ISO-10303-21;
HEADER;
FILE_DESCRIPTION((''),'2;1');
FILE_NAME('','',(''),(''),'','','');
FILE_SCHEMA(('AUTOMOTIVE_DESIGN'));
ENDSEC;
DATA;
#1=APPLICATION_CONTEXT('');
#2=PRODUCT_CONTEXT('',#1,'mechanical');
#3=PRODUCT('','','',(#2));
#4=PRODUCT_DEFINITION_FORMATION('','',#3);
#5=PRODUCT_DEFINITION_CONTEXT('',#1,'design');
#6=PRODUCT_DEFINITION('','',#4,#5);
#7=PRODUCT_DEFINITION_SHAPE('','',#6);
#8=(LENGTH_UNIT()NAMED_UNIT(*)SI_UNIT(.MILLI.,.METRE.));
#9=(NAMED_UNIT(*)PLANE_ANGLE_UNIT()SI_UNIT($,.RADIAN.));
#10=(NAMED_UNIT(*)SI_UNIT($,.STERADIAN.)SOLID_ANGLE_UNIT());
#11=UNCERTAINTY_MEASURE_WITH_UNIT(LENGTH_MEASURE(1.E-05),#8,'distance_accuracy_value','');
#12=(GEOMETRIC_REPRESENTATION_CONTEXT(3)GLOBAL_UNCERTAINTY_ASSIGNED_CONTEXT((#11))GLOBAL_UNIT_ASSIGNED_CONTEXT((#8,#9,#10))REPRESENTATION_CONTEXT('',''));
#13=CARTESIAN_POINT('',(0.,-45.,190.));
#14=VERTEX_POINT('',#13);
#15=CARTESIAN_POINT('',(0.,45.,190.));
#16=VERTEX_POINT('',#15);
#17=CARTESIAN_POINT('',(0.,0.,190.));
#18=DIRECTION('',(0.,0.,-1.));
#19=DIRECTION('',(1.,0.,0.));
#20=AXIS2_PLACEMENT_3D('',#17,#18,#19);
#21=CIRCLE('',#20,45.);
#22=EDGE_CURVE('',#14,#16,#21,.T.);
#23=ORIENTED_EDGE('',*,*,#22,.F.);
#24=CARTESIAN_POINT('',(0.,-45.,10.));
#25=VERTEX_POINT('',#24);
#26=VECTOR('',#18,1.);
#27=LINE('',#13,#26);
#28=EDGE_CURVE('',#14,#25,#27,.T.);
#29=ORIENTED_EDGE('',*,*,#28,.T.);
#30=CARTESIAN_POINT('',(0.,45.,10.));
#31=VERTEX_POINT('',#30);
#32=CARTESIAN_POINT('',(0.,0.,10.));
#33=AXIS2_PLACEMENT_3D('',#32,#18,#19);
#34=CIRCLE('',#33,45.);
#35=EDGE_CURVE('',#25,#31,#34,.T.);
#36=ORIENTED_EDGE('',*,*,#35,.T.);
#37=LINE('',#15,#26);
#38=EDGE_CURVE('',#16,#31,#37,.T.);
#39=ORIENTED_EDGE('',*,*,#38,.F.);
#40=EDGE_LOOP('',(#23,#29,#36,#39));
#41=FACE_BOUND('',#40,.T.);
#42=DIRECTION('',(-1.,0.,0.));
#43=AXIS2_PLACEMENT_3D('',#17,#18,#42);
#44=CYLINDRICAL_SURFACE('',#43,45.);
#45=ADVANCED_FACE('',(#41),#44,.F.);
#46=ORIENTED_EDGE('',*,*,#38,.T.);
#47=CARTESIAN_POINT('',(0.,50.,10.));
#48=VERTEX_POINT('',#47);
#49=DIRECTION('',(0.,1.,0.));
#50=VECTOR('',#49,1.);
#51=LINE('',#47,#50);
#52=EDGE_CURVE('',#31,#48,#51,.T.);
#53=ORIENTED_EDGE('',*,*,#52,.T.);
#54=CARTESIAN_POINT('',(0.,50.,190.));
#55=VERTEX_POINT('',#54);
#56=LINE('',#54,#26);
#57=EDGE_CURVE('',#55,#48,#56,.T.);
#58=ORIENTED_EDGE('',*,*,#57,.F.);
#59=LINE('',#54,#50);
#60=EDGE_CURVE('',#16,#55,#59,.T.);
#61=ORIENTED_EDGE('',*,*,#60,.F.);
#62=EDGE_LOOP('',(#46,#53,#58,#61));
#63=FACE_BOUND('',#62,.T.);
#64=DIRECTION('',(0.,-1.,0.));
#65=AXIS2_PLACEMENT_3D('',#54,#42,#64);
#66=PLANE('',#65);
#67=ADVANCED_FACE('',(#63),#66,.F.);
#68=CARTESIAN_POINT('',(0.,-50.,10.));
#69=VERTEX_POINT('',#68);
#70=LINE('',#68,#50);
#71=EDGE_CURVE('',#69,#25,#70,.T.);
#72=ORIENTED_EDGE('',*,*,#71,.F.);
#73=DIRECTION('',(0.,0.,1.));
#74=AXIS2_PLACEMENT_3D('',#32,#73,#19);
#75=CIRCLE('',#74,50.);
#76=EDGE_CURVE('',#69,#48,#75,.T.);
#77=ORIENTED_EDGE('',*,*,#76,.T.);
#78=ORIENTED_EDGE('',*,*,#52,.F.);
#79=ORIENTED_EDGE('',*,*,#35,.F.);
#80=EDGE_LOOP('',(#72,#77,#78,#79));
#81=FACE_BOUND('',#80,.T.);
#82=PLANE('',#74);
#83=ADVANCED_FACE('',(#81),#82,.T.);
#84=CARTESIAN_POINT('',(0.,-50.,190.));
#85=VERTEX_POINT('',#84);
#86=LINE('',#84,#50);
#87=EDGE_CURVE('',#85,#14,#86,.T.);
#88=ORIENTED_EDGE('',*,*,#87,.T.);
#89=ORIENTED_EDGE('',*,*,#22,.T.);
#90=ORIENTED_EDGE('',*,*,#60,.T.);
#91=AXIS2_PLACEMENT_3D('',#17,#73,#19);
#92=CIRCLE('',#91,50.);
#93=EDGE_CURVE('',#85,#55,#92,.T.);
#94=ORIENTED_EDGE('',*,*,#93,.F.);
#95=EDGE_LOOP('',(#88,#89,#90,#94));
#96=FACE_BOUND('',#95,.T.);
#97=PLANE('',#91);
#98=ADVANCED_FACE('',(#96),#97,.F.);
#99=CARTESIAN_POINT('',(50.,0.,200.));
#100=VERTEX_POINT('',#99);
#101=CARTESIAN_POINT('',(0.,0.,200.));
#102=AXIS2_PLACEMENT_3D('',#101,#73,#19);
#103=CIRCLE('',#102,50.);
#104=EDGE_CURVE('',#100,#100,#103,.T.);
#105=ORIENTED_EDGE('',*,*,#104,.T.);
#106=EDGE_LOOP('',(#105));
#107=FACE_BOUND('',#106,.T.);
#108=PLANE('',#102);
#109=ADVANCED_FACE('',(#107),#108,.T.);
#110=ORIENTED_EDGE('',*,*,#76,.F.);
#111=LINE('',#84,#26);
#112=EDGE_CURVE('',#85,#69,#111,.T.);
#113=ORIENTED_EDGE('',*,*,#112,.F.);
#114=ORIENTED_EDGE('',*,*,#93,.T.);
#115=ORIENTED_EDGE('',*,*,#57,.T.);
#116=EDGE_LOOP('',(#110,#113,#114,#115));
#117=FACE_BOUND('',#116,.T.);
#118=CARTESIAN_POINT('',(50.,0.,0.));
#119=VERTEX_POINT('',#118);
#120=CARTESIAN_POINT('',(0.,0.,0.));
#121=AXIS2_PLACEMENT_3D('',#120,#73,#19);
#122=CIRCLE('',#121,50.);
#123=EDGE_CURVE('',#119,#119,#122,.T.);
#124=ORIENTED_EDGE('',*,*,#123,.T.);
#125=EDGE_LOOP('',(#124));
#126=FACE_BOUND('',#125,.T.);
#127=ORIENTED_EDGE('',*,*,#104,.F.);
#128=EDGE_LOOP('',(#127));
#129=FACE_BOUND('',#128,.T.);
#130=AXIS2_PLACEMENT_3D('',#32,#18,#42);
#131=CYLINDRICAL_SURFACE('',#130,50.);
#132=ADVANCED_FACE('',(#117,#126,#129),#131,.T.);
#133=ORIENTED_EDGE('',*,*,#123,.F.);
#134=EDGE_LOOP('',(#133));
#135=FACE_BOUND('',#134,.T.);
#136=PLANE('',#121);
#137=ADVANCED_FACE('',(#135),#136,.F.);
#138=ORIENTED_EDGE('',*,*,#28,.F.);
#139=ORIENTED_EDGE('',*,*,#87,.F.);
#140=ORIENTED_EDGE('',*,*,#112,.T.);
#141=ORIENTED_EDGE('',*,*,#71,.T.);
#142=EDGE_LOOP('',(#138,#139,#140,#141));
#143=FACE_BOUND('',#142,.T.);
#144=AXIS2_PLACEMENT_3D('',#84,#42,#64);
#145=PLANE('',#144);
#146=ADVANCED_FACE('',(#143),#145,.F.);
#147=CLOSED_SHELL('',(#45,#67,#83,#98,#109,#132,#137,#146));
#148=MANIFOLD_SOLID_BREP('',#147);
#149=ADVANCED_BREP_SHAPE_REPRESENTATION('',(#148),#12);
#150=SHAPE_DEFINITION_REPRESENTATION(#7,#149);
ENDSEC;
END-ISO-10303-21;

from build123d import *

# Parameters (mm, degrees)
SKETCH1_R           = 50
BOSS_EXTRUDE1_DEPTH = 10
BOSS_EXTRUDE2_DEPTH = 180
SKETCH3_R           = 50
BOSS_EXTRUDE3_DEPTH = 10


with BuildPart() as part:
    # Sketch1 → Boss-Extrude1 (new body)
    with BuildSketch(Plane(origin=(0, 0, 0), x_dir=(0, 1, 0), z_dir=(0, 0, 1))):
        with Locations(Location((0, 0, 0), (0, 0, 270))):
            Circle(SKETCH1_R)
    extrude(amount=BOSS_EXTRUDE1_DEPTH)

    # Sketch2 → Boss-Extrude2 (add)
    with BuildSketch(Plane.XY.offset(10)):
        with BuildLine():
            Line((0, 50), (0, 45))
            ThreePointArc((0, 45), (-45, 0), (0, -45))
            Line((0, -45), (0, -50))
            ThreePointArc((0, -50), (-50, 0), (0, 50))
        make_face()
    extrude(amount=BOSS_EXTRUDE2_DEPTH)

    # Sketch3 → Boss-Extrude3 (add)
    with BuildSketch(Plane.XY.offset(190)):
        Circle(SKETCH3_R)
    extrude(amount=BOSS_EXTRUDE3_DEPTH)


solid = part.part
